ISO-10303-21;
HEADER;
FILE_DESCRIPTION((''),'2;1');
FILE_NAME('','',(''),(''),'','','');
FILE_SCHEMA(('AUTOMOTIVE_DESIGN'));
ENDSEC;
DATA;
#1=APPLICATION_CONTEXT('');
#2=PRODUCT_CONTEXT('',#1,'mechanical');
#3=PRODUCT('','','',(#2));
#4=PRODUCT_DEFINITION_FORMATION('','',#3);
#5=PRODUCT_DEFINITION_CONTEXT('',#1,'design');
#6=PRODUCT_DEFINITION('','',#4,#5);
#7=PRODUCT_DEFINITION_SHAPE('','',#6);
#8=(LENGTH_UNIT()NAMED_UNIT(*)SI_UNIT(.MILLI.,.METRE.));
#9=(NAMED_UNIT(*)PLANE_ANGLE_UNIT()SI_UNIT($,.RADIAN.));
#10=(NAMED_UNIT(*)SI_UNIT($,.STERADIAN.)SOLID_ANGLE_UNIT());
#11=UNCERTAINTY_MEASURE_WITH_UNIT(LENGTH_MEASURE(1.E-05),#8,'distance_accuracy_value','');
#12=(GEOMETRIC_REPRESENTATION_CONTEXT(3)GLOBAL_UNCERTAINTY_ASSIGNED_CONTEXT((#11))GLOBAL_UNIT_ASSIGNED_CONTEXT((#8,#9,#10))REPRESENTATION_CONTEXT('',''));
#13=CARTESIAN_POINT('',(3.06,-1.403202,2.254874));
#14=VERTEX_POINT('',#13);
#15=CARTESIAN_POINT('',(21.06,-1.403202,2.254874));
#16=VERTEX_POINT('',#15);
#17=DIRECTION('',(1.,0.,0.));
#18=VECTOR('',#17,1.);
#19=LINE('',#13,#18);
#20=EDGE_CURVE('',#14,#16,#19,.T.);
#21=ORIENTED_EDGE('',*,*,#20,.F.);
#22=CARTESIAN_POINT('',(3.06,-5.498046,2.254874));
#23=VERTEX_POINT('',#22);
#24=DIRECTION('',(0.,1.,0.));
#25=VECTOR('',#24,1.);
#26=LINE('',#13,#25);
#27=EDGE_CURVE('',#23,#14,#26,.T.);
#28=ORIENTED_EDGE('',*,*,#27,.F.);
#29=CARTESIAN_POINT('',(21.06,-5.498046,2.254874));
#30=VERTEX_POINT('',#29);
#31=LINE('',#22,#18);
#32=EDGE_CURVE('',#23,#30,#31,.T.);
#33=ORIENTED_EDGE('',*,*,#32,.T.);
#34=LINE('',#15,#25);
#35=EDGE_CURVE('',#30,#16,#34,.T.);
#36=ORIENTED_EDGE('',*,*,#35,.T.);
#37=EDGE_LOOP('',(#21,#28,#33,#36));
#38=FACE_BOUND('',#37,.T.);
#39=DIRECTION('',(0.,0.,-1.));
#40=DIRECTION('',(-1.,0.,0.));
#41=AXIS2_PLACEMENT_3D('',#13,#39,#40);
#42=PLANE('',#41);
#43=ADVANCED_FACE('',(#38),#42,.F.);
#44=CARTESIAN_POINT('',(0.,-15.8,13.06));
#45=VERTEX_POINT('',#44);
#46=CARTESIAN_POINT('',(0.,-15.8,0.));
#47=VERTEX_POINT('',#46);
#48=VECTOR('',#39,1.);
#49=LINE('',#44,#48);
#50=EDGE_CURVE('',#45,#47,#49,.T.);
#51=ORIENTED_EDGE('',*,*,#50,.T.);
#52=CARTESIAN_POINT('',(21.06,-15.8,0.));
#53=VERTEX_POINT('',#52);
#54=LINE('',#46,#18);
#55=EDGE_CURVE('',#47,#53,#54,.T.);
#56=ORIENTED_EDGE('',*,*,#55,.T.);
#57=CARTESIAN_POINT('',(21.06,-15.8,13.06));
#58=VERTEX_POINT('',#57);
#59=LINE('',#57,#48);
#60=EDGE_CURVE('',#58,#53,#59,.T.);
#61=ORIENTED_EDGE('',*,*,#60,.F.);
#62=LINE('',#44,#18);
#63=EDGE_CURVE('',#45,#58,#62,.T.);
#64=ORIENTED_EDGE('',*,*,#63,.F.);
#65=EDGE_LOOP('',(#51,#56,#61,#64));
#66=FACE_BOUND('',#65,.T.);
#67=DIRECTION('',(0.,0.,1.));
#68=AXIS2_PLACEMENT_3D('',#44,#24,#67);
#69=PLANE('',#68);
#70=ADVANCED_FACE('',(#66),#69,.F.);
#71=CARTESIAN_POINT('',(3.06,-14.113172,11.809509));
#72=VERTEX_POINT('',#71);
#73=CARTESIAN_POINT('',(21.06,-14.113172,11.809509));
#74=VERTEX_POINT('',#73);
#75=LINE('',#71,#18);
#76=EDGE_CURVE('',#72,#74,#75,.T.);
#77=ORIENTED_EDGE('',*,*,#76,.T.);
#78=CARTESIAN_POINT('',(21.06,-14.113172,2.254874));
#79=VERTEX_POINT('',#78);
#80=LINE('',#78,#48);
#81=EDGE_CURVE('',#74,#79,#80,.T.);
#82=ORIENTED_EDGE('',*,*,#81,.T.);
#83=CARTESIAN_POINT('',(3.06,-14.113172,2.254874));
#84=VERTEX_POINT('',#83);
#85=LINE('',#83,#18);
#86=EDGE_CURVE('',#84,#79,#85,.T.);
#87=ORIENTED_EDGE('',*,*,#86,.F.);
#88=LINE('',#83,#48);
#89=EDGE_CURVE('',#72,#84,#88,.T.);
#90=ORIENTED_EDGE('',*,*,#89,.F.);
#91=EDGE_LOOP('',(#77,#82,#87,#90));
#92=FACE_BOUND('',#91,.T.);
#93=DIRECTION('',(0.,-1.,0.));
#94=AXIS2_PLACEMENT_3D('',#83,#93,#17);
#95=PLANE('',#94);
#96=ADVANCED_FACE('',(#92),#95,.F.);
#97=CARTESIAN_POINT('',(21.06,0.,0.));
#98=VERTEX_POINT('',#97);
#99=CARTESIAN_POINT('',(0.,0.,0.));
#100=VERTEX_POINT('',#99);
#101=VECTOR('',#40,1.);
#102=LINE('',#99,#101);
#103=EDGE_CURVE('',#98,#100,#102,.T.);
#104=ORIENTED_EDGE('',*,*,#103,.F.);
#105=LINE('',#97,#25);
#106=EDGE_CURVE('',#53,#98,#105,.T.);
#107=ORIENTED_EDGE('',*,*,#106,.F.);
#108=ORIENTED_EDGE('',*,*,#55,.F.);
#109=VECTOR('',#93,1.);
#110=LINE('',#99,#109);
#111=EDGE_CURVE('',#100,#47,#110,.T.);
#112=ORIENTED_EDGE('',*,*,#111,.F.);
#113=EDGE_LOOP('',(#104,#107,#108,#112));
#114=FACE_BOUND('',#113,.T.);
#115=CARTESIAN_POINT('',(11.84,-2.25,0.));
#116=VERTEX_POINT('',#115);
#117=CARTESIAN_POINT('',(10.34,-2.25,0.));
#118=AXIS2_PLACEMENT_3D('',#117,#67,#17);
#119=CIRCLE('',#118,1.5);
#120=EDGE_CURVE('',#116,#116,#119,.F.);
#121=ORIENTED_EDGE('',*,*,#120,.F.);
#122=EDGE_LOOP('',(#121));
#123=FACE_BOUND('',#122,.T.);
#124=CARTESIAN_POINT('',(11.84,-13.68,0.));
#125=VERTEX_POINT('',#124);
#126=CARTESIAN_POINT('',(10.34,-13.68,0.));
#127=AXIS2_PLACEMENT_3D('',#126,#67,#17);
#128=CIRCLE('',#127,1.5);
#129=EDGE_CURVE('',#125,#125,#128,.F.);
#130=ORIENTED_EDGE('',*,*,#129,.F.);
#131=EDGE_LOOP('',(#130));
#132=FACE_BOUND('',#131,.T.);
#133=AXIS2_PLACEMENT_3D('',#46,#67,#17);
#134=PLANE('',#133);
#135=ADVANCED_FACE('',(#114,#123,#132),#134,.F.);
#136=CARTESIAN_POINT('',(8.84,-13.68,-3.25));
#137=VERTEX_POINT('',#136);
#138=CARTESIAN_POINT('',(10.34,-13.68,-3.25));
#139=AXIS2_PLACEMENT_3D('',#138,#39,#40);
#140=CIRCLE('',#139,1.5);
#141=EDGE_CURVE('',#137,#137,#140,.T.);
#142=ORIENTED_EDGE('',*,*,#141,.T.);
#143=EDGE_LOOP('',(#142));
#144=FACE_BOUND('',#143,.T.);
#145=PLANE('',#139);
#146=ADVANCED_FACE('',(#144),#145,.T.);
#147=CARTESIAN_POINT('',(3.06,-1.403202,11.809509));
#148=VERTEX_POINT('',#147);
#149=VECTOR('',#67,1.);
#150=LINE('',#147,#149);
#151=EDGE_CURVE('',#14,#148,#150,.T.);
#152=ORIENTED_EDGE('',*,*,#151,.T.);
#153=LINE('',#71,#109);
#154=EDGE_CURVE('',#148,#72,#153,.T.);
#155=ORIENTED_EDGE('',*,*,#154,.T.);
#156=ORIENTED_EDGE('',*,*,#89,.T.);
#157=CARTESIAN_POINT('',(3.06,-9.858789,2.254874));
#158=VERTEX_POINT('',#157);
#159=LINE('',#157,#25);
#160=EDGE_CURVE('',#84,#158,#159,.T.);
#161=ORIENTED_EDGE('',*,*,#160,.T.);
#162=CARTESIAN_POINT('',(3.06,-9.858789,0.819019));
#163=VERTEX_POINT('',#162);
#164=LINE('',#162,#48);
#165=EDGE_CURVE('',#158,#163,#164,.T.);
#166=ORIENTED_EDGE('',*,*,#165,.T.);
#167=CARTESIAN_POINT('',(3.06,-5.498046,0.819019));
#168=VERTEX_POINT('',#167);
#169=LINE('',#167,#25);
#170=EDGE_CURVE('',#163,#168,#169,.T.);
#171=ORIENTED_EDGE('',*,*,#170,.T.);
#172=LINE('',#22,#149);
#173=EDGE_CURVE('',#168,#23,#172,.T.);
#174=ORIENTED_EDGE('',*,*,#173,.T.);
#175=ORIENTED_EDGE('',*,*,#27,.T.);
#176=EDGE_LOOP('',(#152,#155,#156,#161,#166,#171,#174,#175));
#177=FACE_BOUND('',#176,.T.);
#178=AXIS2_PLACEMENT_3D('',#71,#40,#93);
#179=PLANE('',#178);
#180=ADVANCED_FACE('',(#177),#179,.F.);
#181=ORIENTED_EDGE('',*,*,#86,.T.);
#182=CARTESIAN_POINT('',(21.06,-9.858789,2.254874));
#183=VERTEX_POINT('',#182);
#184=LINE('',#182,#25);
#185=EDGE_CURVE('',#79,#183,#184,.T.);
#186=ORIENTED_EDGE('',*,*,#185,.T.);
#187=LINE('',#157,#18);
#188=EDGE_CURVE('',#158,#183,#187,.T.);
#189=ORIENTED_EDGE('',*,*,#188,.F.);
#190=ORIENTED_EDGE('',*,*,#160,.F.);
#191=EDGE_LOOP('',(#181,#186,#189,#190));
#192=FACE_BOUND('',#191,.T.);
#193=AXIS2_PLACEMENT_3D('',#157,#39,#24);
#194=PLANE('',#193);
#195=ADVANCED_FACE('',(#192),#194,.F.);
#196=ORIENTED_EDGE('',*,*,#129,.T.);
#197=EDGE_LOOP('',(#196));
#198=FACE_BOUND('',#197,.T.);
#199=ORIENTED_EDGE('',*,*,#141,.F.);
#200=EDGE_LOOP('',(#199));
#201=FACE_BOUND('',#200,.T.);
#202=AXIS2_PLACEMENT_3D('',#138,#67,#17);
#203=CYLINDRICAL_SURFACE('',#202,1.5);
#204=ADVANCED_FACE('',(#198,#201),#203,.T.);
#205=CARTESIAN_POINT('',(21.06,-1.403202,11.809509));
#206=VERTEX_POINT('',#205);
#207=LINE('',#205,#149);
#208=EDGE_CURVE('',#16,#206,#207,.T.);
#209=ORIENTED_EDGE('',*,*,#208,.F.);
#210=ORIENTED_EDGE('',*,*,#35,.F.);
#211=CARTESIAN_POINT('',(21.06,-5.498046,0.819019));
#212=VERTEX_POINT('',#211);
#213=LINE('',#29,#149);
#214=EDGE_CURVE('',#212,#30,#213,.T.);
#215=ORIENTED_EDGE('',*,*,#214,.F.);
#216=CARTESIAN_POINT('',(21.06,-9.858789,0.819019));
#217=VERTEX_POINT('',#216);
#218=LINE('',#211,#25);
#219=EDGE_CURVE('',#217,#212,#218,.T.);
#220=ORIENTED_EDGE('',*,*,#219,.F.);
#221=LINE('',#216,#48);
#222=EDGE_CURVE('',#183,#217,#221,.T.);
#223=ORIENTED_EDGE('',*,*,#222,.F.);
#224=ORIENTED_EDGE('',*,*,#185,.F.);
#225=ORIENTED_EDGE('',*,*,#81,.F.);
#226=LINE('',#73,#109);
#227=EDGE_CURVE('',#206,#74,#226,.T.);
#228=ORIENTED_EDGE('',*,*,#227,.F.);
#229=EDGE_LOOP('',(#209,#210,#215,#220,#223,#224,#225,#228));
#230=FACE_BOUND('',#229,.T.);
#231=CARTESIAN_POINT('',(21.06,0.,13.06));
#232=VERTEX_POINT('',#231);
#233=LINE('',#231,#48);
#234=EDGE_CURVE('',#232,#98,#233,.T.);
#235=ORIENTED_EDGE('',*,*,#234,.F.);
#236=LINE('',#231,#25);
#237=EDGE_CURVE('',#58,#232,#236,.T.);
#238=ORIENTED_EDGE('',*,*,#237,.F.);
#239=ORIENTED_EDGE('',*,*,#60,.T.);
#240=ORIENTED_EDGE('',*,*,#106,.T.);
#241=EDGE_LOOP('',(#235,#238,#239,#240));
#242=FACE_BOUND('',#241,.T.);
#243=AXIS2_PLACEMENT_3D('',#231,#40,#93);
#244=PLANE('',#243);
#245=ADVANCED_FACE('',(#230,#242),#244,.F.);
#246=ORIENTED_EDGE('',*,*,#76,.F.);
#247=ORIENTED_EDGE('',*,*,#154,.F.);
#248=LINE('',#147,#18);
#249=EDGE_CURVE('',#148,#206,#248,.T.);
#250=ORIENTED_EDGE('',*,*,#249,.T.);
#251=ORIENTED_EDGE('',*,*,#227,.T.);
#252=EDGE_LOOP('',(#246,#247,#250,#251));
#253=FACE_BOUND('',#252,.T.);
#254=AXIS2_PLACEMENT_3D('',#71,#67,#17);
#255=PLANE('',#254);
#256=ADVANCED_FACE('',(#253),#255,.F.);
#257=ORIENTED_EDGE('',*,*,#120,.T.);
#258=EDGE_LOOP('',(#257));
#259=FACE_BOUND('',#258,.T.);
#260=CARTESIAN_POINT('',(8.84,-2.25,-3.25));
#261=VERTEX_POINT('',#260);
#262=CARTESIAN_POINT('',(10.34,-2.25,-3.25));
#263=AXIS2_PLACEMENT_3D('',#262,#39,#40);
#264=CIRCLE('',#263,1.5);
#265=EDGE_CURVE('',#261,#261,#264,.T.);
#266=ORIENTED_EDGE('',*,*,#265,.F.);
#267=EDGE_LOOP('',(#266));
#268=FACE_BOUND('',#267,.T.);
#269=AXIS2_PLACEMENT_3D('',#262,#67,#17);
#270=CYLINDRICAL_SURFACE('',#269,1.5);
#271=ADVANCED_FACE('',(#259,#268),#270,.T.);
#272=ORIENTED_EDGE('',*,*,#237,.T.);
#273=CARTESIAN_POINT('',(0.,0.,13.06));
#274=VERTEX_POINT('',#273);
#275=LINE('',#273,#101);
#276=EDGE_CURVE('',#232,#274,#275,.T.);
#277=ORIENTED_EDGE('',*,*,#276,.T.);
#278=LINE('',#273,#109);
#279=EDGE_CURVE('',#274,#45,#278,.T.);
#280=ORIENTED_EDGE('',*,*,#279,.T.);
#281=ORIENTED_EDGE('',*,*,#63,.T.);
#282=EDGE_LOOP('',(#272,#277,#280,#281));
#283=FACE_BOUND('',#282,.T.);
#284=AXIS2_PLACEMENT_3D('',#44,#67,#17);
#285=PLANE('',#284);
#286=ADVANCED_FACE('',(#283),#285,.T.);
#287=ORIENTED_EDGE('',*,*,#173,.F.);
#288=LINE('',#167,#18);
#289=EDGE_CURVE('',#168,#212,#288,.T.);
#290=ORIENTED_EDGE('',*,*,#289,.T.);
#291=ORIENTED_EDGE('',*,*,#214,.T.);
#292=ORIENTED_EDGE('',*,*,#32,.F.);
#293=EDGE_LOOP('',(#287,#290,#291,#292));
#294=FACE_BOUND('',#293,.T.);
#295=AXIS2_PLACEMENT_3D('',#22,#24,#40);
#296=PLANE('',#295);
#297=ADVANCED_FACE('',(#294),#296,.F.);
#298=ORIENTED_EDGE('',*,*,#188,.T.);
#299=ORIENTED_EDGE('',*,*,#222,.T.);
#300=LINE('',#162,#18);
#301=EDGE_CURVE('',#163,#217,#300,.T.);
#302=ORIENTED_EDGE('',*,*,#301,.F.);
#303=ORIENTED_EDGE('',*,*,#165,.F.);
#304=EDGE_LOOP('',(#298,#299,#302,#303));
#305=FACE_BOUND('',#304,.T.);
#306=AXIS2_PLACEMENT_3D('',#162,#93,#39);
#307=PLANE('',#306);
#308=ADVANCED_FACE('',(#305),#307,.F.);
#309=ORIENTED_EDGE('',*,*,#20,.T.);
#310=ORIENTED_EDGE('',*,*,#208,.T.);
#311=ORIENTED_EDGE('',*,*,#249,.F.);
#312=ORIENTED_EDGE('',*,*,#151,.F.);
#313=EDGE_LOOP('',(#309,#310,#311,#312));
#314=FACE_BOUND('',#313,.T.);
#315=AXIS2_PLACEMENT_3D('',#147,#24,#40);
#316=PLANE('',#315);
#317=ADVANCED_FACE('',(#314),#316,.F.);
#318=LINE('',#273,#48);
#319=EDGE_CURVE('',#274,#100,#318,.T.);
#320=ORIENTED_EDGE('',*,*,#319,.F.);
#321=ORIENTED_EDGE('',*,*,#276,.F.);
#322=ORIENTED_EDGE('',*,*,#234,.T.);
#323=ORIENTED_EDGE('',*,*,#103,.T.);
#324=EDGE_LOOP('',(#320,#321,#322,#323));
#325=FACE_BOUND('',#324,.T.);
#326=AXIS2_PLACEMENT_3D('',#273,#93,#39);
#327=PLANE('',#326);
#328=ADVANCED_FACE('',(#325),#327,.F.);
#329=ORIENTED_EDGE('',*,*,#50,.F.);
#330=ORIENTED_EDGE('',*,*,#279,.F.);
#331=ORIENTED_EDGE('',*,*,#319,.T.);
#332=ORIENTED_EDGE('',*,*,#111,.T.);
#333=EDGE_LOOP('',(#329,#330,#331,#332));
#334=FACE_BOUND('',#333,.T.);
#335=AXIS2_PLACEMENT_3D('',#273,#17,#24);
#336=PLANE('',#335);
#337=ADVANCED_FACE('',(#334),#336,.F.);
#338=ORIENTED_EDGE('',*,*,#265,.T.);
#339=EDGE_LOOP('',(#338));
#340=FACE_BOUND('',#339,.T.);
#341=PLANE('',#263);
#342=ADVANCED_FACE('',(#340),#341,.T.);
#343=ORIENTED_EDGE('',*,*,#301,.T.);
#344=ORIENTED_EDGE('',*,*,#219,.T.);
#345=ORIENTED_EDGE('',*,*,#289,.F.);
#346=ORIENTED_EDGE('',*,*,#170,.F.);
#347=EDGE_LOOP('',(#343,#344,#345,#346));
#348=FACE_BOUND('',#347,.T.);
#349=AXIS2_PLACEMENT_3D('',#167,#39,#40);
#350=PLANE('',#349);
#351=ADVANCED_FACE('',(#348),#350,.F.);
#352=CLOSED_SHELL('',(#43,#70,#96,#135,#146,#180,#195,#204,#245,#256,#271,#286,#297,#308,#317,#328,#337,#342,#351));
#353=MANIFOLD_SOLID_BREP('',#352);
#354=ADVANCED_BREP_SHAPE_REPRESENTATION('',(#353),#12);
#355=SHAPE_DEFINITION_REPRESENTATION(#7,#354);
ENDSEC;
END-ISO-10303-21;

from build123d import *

# Parameters (mm, degrees)
SKETCH1_W          = 21.06
SKETCH1_H          = 15.8
EXTRUDE1_DEPTH     = 13.06
SKETCH2_R          = 1.5
EXTRUDE2_DEPTH     = 3.25
CUT_EXTRUDE1_DEPTH = 18


with BuildPart() as part:
    # Sketch1 → Extrude1 (new body)
    with BuildSketch(Plane.XY):
        with Locations((10.53, -7.9)):
            Rectangle(SKETCH1_W, SKETCH1_H)
    extrude(amount=EXTRUDE1_DEPTH)

    # Sketch2 → Extrude2 (add)
    with BuildSketch(Plane(origin=(0, 0, 0), x_dir=(-1, 0, 0), z_dir=(0, 0, -1))):
        with Locations((-10.34, -2.25)):
            Circle(SKETCH2_R)
        with Locations((-10.34, -13.68)):
            Circle(SKETCH2_R)
    extrude(amount=EXTRUDE2_DEPTH)

    # Sketch3 → Cut-Extrude1 (cut)
    with BuildSketch(Plane(origin=(21.06, 0, 0), x_dir=(0, 0, -1), z_dir=(1, 0, 0))):
        Polygon((-11.809509458, -14.113172182), (-11.809509458, -1.403202269), (-2.254873777, -1.403202269), (-2.254873777, -5.498046132), (-0.819019435, -5.498046132), (-0.819019435, -9.858788948), (-2.254873777, -9.858788948), (-2.254873777, -14.113172182), align=None)
    extrude(amount=-CUT_EXTRUDE1_DEPTH, mode=Mode.SUBTRACT)


solid = part.part
